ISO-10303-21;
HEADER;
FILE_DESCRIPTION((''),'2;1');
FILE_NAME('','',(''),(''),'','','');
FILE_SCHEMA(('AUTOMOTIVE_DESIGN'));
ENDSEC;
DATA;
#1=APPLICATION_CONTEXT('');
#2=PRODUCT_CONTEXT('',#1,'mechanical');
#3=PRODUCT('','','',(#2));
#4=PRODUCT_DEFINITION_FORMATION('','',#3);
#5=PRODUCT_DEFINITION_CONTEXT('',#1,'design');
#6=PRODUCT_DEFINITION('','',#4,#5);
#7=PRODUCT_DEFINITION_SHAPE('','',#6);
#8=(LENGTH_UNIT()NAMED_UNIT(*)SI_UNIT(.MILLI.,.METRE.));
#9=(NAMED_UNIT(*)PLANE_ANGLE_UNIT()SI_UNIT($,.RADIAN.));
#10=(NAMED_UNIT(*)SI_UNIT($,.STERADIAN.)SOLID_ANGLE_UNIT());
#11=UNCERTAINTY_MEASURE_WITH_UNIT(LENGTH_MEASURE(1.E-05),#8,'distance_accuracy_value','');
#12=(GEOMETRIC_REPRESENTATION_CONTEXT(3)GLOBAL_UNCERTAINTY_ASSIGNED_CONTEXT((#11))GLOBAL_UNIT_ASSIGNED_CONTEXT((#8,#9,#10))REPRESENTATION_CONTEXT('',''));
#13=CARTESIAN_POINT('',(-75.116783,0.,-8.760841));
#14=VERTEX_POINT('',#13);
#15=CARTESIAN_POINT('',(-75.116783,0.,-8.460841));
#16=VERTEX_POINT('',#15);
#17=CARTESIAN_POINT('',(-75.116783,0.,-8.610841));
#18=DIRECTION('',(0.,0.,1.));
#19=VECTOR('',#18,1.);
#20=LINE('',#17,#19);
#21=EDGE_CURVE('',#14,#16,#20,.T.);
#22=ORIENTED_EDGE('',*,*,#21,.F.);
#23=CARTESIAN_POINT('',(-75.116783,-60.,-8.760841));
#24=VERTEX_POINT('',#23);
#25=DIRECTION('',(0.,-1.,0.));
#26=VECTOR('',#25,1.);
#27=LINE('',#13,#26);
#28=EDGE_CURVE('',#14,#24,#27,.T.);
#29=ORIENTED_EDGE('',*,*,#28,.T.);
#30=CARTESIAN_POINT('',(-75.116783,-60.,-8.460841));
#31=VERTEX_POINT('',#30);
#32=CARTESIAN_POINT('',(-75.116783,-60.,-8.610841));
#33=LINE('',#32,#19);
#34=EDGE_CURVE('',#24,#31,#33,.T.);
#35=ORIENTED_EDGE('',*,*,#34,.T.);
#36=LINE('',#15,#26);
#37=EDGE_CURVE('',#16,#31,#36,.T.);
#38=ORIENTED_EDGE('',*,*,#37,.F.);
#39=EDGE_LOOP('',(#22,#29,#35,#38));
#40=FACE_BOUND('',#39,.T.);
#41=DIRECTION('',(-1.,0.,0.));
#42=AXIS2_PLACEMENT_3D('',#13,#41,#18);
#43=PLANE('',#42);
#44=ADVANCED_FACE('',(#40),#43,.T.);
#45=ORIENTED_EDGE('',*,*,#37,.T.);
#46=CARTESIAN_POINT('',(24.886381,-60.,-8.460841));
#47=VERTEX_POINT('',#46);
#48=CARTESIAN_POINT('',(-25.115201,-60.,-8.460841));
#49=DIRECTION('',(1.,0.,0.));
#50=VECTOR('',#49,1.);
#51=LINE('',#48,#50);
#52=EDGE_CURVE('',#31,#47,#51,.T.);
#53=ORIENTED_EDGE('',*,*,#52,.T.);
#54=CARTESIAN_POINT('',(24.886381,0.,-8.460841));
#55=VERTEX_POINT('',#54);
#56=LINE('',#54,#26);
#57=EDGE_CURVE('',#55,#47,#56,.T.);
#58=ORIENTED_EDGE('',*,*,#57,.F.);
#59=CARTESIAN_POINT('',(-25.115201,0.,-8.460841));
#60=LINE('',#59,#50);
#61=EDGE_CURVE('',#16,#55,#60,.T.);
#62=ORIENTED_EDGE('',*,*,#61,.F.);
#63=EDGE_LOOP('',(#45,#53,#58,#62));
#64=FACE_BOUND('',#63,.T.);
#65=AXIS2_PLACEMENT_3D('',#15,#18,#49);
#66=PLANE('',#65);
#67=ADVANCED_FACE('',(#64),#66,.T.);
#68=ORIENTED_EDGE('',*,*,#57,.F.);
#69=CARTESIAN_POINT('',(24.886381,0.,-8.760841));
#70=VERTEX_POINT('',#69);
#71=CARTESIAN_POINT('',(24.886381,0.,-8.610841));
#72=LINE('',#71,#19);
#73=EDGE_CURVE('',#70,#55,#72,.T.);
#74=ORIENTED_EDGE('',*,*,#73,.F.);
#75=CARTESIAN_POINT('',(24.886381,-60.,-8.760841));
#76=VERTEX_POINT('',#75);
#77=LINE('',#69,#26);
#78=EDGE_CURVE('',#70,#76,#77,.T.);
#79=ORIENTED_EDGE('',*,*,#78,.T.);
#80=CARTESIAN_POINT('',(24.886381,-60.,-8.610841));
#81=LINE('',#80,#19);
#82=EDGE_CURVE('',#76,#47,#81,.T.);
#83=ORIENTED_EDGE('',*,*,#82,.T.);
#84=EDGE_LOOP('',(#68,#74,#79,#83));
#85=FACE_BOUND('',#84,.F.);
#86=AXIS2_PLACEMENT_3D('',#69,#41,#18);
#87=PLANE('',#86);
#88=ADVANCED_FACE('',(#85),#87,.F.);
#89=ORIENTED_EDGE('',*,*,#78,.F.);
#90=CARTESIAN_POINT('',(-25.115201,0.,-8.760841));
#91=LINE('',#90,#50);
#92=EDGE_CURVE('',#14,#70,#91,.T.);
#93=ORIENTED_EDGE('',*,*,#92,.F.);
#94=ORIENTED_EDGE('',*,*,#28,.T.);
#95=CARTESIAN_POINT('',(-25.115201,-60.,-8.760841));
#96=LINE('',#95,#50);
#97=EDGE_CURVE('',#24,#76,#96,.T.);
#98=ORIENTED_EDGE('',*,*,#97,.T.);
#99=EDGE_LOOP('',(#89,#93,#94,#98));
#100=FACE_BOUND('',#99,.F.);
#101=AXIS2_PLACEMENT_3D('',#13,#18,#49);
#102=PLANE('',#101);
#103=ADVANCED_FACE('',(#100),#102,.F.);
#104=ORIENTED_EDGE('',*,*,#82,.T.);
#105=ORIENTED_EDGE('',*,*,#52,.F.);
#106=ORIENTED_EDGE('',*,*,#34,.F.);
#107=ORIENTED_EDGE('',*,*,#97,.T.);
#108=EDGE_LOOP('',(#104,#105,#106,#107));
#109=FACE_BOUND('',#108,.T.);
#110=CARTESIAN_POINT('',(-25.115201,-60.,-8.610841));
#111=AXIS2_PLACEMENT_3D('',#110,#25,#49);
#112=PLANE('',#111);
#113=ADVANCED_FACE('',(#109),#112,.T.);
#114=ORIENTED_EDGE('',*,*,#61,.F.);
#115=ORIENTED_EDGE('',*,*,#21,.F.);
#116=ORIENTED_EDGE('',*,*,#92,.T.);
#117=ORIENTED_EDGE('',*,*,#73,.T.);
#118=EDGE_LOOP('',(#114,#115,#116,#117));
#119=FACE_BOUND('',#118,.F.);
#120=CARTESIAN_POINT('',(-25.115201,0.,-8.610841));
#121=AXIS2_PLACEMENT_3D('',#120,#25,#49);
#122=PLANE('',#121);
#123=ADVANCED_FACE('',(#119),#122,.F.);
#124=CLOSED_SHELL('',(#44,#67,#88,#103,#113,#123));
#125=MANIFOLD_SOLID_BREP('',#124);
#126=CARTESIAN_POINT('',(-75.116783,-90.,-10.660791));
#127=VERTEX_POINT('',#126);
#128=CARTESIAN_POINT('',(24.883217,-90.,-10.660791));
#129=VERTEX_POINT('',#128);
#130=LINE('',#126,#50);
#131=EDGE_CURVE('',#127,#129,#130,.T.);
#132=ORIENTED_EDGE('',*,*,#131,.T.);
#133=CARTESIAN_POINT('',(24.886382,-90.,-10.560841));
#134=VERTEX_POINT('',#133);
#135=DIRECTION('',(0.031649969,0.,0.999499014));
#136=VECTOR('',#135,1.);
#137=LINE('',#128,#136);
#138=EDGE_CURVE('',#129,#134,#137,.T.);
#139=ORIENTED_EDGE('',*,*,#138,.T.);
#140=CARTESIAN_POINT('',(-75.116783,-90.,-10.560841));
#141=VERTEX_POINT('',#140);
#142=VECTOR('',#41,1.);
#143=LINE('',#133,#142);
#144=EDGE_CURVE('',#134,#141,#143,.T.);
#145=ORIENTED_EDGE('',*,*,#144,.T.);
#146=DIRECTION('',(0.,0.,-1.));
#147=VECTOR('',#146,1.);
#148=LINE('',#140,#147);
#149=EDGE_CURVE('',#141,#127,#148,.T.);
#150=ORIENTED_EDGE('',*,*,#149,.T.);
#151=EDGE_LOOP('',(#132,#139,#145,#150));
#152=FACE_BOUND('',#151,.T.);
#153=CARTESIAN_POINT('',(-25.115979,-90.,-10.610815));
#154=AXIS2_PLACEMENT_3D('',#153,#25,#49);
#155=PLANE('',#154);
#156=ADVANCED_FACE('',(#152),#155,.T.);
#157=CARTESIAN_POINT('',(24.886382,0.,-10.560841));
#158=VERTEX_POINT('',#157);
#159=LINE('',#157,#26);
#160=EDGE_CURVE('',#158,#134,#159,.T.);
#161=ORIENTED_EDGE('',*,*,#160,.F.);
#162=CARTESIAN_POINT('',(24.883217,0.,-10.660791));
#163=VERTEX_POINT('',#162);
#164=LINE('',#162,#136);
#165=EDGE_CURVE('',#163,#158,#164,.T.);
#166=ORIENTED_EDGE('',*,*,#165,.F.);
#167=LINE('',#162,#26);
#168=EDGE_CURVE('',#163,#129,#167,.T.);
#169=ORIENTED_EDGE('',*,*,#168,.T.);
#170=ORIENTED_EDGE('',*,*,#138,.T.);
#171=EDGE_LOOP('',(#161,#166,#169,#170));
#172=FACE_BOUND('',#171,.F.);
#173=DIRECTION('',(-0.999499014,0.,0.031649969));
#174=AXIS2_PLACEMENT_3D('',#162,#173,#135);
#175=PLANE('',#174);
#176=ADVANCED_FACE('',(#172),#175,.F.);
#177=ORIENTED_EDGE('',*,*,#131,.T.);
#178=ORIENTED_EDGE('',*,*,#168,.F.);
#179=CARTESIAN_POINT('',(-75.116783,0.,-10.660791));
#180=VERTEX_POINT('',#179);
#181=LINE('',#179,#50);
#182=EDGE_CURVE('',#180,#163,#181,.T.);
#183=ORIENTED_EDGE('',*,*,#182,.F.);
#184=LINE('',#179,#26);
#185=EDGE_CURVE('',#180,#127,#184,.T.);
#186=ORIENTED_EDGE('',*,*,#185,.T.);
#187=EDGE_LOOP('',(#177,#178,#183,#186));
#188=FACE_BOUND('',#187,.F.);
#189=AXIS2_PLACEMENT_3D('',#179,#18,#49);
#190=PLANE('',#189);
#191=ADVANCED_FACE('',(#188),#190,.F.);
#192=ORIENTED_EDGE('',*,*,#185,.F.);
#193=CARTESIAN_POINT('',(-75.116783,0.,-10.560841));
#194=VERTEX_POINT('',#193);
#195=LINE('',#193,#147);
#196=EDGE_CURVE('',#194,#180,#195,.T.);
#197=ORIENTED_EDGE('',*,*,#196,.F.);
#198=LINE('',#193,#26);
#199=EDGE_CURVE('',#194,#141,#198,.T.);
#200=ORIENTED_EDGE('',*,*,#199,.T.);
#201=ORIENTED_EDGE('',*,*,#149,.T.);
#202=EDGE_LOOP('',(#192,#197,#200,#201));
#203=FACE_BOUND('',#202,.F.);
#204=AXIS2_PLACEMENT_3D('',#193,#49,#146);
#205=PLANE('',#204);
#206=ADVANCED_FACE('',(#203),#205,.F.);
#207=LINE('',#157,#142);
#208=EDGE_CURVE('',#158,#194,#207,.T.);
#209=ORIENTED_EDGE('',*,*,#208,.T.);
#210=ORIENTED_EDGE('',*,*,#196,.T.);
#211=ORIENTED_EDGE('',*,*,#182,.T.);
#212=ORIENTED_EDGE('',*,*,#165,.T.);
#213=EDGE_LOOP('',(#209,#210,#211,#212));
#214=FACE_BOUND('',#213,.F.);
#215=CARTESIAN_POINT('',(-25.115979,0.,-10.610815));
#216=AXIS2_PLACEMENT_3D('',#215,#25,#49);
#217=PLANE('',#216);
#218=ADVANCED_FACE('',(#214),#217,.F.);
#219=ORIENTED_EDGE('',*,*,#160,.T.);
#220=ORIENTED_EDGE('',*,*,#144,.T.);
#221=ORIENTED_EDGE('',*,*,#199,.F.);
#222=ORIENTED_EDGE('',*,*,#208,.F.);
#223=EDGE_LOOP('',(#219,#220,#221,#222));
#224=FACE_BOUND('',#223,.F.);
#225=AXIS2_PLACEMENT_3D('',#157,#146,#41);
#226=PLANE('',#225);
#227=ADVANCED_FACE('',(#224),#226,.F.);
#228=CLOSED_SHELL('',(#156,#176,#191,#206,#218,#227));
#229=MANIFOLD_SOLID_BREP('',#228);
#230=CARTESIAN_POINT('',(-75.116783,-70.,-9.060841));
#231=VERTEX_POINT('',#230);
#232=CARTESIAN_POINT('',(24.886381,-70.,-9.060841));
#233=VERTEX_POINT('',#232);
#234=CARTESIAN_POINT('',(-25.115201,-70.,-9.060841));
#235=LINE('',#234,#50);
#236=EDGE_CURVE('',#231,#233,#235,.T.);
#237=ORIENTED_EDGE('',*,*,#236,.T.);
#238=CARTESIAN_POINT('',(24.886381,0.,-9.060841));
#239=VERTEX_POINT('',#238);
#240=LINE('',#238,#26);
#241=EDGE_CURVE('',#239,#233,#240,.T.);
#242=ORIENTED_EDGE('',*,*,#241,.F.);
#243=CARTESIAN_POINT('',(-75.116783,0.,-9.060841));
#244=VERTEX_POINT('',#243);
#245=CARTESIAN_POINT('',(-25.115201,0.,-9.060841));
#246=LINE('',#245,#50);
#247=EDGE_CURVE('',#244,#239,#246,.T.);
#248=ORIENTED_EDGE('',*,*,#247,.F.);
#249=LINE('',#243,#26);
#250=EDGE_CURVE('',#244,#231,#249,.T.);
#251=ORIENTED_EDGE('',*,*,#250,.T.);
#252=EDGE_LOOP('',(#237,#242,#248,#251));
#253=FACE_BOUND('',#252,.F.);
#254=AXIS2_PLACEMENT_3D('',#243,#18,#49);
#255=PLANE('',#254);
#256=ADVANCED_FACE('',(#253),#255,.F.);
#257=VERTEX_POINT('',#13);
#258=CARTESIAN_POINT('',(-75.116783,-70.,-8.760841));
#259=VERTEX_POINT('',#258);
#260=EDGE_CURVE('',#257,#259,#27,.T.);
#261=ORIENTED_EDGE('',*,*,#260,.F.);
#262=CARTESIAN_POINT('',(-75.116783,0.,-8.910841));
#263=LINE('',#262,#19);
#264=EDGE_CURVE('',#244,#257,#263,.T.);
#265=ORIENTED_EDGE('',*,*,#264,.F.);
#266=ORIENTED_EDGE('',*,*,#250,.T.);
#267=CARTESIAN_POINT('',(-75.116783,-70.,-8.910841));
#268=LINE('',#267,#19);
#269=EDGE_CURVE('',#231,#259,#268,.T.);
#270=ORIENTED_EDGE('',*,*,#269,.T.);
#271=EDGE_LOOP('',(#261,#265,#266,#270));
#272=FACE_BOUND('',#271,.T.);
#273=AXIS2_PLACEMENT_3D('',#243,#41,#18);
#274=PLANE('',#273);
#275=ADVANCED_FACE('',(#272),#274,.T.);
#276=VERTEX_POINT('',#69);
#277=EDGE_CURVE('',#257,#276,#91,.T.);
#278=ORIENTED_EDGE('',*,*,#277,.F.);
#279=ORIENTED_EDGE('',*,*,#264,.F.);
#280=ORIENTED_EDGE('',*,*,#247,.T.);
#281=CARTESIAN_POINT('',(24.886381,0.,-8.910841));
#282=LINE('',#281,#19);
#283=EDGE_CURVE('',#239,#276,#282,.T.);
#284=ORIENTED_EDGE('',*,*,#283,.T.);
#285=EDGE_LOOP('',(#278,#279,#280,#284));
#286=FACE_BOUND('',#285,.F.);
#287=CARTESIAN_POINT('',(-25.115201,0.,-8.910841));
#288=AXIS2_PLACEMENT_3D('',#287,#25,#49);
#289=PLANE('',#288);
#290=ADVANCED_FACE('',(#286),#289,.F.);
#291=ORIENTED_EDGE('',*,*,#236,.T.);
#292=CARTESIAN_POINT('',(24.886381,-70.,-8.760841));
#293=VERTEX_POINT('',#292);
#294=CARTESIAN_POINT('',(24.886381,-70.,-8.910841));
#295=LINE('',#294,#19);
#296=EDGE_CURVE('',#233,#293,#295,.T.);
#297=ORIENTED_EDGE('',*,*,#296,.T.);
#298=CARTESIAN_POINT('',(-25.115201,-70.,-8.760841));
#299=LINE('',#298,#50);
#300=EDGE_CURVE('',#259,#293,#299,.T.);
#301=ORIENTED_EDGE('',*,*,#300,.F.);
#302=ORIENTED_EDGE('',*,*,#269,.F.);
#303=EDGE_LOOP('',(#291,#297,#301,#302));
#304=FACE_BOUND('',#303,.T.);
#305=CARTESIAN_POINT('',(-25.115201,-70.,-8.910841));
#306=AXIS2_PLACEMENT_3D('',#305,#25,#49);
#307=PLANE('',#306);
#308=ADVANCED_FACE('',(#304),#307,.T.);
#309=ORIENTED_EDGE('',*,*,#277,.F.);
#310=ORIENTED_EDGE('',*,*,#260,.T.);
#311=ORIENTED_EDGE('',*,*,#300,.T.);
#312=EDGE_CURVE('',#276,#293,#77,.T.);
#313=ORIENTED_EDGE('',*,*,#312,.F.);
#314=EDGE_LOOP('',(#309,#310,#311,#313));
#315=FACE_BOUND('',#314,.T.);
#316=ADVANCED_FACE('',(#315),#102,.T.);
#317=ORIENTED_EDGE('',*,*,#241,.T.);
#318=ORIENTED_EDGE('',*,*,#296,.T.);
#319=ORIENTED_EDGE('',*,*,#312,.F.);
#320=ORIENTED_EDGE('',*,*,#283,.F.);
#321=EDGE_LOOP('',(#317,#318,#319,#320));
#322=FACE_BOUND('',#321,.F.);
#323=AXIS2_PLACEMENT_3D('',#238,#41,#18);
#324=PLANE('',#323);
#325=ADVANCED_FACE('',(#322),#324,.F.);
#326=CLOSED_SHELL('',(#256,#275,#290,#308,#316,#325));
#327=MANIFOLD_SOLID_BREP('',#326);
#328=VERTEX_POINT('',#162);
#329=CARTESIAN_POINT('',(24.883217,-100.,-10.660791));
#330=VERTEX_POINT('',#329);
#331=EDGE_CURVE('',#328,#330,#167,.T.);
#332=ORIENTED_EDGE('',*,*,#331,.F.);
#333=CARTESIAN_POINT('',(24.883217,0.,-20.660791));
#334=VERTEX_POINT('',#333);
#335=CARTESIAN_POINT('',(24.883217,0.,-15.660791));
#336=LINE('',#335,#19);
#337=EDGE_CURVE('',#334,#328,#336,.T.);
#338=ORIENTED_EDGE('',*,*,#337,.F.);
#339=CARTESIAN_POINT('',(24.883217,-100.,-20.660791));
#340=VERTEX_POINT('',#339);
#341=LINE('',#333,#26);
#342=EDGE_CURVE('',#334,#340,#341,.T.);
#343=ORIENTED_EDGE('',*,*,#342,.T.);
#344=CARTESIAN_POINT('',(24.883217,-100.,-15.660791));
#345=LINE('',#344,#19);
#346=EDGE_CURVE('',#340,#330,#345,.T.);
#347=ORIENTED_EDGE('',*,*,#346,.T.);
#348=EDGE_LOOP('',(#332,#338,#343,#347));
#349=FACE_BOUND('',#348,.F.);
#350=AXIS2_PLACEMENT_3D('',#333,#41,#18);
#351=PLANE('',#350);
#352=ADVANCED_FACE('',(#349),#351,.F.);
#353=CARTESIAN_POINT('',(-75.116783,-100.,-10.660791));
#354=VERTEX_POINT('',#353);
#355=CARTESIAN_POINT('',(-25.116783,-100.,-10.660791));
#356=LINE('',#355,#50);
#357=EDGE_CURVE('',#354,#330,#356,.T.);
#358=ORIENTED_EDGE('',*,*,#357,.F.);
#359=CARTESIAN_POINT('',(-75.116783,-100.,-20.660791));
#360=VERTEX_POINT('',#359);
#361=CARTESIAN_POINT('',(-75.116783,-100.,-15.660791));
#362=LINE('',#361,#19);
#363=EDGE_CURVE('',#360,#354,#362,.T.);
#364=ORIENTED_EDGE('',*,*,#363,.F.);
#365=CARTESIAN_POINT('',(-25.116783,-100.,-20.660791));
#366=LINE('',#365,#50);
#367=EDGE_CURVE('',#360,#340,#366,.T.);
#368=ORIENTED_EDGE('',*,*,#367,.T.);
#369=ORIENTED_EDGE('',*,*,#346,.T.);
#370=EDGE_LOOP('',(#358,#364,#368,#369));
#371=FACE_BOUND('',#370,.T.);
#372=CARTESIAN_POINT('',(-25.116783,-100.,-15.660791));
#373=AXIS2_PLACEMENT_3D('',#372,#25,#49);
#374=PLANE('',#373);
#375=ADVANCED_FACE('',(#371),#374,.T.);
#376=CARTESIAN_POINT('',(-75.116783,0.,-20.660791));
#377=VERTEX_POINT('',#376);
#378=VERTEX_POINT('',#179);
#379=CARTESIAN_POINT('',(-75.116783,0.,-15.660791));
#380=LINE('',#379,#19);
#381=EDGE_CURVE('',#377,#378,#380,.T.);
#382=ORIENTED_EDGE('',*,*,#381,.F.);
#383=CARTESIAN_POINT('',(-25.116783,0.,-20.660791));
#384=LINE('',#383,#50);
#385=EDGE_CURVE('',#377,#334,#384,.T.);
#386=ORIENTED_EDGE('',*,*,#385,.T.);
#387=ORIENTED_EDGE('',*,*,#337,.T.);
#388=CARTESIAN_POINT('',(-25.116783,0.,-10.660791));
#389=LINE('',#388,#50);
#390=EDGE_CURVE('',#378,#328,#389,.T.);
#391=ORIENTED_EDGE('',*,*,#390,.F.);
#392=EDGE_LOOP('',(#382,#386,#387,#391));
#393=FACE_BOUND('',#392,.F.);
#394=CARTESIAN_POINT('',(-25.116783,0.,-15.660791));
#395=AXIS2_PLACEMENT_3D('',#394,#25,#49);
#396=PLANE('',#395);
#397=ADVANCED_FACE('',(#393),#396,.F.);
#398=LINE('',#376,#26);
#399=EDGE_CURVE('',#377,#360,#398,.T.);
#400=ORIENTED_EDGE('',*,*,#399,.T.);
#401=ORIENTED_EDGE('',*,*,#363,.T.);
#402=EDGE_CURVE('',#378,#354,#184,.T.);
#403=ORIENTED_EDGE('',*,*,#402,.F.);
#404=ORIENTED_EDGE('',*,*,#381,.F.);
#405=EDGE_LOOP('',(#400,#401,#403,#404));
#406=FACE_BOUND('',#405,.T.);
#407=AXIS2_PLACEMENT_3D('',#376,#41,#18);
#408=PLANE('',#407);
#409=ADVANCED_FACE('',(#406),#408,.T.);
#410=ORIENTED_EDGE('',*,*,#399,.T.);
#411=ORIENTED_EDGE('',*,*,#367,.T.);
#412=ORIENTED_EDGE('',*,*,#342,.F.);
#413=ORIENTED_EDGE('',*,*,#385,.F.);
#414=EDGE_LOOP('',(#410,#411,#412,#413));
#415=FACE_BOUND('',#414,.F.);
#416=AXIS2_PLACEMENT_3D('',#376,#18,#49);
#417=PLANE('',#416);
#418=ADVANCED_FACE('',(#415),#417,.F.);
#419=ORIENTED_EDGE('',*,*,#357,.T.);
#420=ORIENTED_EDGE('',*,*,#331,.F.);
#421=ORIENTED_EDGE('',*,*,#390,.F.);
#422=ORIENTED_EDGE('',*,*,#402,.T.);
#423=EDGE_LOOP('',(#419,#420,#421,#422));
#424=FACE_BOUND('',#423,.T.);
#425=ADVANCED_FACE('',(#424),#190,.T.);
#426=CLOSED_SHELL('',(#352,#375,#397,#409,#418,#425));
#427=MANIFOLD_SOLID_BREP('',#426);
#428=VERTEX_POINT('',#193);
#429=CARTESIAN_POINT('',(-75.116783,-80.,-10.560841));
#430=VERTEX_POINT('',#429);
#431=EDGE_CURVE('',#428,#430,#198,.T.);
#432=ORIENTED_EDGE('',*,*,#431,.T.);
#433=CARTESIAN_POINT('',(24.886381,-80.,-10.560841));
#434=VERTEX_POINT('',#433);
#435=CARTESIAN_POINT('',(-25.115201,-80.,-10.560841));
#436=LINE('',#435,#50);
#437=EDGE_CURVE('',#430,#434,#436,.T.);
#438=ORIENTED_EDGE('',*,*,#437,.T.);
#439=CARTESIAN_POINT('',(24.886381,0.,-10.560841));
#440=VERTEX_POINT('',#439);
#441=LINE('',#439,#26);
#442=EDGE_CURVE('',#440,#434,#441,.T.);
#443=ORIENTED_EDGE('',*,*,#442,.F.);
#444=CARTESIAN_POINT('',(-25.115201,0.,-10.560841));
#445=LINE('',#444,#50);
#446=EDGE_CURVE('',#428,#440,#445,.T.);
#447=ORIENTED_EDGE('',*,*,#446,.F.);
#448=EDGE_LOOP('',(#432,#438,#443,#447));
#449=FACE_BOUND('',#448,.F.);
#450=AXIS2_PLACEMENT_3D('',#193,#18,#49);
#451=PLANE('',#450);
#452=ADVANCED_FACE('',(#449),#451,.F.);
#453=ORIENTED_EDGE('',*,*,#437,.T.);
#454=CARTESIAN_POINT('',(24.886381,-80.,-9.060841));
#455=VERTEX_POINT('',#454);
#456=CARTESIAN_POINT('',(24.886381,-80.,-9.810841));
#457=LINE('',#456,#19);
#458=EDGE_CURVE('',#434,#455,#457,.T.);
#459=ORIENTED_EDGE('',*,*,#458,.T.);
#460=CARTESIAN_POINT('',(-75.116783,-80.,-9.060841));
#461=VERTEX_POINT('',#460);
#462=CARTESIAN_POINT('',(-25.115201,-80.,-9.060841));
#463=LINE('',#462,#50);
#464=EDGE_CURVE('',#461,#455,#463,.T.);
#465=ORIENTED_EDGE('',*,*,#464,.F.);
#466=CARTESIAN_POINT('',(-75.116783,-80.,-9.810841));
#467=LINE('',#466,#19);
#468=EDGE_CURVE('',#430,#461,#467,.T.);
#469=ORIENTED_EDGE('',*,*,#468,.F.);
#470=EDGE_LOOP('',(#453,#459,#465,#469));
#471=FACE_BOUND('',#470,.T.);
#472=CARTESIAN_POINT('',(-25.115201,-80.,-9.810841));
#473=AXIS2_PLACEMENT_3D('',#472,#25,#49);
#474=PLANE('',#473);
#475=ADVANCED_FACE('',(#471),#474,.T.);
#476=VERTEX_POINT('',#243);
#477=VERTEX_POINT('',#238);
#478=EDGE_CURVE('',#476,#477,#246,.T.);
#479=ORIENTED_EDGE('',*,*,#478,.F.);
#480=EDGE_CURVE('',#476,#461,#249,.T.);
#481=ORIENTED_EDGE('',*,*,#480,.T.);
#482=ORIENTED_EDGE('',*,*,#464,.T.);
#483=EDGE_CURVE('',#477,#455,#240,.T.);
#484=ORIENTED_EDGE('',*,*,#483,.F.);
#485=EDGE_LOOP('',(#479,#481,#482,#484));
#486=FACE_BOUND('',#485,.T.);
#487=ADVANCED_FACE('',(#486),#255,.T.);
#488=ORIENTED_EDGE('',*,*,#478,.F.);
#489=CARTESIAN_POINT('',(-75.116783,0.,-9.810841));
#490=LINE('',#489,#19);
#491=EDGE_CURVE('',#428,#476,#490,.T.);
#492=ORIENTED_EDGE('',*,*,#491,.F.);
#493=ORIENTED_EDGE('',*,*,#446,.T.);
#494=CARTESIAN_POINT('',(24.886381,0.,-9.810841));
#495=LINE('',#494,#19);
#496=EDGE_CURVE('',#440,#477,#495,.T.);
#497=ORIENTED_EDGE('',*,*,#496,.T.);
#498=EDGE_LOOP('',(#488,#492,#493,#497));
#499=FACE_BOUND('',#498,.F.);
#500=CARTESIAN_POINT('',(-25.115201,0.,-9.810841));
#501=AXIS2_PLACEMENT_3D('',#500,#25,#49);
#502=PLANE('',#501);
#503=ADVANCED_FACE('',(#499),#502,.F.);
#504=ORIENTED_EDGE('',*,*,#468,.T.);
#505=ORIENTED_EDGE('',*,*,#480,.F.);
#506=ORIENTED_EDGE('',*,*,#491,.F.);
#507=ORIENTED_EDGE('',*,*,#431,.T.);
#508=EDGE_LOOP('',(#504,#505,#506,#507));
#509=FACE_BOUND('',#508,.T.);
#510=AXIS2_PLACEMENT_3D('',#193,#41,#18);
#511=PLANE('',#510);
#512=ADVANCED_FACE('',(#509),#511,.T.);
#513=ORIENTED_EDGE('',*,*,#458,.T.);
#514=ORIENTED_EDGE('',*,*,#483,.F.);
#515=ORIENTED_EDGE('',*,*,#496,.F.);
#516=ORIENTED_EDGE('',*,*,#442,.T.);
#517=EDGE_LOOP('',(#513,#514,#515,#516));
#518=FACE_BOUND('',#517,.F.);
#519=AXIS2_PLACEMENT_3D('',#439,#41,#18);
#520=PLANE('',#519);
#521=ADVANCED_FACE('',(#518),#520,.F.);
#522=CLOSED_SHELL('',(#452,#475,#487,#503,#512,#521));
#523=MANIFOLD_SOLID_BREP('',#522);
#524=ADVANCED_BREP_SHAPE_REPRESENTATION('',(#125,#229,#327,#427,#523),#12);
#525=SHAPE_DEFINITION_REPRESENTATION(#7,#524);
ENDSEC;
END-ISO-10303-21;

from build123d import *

# Parameters (mm, degrees)
F0_W     = 100
F0_H     = 10
F1_DEPTH = 100
F2_DEPTH = 90
F0_W_2   = 100.003165
F0_H_2   = 1.5
F3_DEPTH = 80
F0_H_3   = 0.3
F4_DEPTH = 70
F5_DEPTH = 60


with BuildPart() as f1:
    # F0 (on Front) → F1 (new body)
    with BuildSketch(Plane.XZ):
        with Locations((-25.116783, -15.660791)):
            Rectangle(F0_W, F0_H)
    extrude(amount=F1_DEPTH)


with BuildPart() as f2:
    # F0 (on Front) → F2 (new body)
    with BuildSketch(Plane.XZ):
        Polygon((-75.116783, -10.560841), (-75.116783, -10.660791), (24.883217, -10.660791), (24.886382, -10.560841), align=None)
    extrude(amount=F2_DEPTH)


with BuildPart() as f3:
    # F0 (on Front) → F3 (new body)
    with BuildSketch(Plane.XZ):
        with Locations((-25.115201, -9.810841)):
            Rectangle(F0_W_2, F0_H_2)
    extrude(amount=F3_DEPTH)


with BuildPart() as f4:
    # F0 (on Front) → F4 (new body)
    with BuildSketch(Plane.XZ):
        with Locations((-25.115201, -8.910841)):
            Rectangle(F0_W_2, F0_H_3)
    extrude(amount=F4_DEPTH)


with BuildPart() as f5:
    # F0 (on Front) → F5 (new body)
    with BuildSketch(Plane.XZ):
        with Locations((-25.115201, -8.610841)):
            Rectangle(F0_W_2, F0_H_3)
    extrude(amount=F5_DEPTH)


solid = Compound([f1.part, f2.part, f3.part, f4.part, f5.part])
